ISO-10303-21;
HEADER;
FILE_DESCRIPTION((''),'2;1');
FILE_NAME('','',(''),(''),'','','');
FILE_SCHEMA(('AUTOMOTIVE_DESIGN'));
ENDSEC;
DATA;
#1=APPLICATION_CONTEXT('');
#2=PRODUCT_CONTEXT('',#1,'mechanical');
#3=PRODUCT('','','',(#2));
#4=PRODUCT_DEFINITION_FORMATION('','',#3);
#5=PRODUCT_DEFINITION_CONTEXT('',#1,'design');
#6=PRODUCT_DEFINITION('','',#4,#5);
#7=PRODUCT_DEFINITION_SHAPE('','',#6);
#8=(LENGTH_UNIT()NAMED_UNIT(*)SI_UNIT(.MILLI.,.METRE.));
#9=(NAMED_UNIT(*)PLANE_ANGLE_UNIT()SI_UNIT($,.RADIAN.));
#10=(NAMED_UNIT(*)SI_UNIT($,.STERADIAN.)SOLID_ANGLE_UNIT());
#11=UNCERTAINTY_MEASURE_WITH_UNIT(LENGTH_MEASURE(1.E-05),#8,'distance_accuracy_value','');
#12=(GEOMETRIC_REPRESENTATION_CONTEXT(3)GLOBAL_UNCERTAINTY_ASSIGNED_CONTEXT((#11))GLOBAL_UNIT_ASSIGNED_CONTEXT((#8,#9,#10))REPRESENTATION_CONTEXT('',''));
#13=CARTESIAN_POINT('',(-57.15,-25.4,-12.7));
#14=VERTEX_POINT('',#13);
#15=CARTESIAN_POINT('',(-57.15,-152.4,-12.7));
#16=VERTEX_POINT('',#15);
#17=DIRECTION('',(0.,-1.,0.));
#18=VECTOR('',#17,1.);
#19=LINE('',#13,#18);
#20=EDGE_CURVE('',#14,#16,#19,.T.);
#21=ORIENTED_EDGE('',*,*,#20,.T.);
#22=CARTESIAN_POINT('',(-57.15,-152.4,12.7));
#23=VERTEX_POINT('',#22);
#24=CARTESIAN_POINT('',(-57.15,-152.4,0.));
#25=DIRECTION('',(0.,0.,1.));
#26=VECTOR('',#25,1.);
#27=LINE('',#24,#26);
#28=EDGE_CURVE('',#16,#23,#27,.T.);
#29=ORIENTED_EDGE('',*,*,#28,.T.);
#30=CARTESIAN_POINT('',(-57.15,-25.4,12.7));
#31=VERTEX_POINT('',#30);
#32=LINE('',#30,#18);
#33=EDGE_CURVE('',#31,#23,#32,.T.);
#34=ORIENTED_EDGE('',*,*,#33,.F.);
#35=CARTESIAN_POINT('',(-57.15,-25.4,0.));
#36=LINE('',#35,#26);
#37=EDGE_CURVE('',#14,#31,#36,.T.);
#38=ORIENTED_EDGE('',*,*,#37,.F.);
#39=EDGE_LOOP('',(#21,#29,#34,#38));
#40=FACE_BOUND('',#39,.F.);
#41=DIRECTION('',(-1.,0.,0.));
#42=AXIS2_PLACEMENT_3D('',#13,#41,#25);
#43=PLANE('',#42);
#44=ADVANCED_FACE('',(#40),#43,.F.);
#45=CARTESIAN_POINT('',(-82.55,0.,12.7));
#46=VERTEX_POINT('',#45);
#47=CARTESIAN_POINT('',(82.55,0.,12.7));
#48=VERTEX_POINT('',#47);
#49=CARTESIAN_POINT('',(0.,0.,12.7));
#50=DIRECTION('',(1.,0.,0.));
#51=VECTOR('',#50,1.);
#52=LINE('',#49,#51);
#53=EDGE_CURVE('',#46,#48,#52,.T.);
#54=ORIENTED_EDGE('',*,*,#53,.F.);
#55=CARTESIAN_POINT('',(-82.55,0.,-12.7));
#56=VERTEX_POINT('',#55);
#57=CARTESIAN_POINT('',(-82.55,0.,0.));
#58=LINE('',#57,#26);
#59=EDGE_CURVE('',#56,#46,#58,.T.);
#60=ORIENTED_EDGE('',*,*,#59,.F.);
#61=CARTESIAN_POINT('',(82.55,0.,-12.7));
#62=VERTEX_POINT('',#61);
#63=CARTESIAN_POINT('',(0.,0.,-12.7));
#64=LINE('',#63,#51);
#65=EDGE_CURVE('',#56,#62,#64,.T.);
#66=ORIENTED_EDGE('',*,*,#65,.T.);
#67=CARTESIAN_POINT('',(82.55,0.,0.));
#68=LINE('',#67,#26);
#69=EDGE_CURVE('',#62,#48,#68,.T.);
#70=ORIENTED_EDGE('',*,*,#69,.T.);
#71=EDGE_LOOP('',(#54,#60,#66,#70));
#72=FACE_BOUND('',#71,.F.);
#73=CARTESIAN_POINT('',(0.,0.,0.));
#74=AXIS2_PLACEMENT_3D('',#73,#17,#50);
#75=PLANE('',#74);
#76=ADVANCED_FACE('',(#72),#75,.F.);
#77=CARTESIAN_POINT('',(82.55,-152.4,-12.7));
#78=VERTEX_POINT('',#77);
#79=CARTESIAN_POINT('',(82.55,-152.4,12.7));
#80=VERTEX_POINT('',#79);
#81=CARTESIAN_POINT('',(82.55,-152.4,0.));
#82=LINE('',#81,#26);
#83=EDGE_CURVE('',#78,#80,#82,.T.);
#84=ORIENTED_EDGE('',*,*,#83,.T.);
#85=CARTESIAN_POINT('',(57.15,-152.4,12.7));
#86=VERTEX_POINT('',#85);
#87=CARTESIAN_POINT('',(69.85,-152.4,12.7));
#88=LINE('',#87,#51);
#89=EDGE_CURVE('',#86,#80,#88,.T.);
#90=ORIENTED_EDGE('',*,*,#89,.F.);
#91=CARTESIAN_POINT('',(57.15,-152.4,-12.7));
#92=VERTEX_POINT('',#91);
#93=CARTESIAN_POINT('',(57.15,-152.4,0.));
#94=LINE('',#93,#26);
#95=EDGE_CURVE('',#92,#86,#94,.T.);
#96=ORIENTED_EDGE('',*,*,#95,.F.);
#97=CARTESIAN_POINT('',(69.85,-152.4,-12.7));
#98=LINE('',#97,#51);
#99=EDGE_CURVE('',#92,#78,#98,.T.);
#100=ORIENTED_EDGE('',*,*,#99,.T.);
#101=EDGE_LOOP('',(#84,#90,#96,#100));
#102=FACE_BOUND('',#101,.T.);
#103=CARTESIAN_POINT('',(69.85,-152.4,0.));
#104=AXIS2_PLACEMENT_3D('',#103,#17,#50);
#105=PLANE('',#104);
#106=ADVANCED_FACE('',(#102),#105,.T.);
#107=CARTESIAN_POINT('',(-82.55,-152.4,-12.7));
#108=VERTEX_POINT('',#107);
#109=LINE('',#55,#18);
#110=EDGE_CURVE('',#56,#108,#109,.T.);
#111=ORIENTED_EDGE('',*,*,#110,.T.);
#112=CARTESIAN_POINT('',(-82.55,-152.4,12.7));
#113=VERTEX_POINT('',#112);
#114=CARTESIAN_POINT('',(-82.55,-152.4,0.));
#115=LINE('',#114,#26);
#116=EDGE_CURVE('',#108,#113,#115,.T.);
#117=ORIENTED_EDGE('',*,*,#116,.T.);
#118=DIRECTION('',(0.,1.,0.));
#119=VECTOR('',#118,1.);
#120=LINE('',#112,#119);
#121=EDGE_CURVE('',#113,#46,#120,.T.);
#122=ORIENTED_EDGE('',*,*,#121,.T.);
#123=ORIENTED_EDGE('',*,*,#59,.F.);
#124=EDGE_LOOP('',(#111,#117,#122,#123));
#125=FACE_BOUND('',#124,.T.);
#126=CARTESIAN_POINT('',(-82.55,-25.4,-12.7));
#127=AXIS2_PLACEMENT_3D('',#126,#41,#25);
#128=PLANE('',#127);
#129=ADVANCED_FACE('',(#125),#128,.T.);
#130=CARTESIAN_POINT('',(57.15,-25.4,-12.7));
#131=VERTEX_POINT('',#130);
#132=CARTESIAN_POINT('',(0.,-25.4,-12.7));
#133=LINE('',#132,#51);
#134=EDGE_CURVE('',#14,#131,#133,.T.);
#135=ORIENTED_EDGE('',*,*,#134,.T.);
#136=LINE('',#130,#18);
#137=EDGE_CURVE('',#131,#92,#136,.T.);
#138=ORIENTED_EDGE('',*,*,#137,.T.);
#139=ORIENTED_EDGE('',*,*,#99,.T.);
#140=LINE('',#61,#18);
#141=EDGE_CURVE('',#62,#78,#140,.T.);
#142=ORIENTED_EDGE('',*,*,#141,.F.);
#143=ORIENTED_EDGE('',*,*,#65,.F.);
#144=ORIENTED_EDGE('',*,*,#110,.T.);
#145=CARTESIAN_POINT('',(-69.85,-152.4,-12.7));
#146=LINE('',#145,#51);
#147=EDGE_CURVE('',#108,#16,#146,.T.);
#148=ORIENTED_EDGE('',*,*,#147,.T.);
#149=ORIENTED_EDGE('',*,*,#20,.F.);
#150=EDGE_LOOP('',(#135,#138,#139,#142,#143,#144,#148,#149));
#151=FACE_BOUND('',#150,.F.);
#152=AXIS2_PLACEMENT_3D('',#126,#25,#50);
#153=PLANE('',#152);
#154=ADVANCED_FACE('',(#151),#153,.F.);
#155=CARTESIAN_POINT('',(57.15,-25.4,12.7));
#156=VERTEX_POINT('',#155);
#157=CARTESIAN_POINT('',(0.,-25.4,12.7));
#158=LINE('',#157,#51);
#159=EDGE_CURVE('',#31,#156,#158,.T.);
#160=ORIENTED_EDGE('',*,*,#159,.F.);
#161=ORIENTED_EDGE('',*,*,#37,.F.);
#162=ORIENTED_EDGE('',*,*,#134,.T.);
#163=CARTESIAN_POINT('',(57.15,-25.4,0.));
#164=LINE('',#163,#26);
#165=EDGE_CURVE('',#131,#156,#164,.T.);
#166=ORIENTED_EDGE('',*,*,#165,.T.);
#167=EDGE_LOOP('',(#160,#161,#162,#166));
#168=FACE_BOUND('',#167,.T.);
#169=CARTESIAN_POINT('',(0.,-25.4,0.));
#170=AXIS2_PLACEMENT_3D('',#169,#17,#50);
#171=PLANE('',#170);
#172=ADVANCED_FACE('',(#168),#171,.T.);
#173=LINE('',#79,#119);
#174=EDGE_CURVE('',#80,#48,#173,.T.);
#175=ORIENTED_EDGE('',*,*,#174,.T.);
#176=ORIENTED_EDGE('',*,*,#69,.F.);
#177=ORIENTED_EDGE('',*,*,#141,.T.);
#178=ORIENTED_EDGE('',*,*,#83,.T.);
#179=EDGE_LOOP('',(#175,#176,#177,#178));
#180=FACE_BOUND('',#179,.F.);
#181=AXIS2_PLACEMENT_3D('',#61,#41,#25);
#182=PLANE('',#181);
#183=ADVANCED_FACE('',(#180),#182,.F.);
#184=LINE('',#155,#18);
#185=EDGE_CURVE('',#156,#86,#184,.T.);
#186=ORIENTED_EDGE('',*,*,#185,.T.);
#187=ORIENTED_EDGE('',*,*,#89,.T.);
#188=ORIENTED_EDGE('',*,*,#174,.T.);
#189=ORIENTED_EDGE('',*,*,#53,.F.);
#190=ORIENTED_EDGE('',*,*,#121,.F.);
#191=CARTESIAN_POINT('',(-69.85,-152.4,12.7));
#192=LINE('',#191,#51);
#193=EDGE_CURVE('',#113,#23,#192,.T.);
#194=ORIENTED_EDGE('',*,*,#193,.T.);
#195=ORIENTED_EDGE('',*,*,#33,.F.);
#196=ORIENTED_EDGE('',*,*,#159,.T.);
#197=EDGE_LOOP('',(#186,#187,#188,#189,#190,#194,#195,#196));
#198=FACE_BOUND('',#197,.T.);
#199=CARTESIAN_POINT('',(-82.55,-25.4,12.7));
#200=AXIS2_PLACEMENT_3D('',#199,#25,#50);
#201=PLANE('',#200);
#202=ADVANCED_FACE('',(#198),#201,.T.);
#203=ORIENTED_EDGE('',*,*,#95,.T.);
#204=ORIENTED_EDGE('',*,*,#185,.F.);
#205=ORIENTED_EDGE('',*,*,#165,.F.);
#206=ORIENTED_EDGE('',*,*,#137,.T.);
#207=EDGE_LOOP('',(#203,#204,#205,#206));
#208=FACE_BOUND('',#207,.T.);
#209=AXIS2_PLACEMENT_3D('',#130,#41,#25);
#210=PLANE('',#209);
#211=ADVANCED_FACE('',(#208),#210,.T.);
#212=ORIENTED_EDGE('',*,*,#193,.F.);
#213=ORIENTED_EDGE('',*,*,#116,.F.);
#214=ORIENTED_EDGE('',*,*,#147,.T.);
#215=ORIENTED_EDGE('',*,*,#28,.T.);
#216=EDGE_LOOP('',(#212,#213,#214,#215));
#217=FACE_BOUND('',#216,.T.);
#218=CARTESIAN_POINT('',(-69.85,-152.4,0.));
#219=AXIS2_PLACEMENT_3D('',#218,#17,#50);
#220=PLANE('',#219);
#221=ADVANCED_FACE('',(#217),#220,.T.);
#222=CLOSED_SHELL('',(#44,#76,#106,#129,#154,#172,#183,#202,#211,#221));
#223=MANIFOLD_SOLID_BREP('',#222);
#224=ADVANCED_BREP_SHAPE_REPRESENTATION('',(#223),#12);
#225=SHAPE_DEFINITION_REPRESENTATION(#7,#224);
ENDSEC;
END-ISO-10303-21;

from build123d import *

# Parameters (mm, degrees)
F0_W     = 165.1
F0_H     = 25.4
F1_DEPTH = 25.4
F2_W     = 25.4
F2_H     = 25.4
F3_DEPTH = 127


with BuildPart() as f1:
    # F0 (on Front) → F1 (new body)
    with BuildSketch(Plane.XZ):
        Rectangle(F0_W, F0_H)
    extrude(amount=F1_DEPTH)

    # F2 (on face) → F3 (join)
    with BuildSketch(Plane.XZ.offset(25.4)):
        with Locations((-69.85, 0)):
            Rectangle(F2_W, F2_H)
        with Locations((69.85, 0)):
            Rectangle(F2_W, F2_H)
    extrude(amount=F3_DEPTH)


solid = f1.part
